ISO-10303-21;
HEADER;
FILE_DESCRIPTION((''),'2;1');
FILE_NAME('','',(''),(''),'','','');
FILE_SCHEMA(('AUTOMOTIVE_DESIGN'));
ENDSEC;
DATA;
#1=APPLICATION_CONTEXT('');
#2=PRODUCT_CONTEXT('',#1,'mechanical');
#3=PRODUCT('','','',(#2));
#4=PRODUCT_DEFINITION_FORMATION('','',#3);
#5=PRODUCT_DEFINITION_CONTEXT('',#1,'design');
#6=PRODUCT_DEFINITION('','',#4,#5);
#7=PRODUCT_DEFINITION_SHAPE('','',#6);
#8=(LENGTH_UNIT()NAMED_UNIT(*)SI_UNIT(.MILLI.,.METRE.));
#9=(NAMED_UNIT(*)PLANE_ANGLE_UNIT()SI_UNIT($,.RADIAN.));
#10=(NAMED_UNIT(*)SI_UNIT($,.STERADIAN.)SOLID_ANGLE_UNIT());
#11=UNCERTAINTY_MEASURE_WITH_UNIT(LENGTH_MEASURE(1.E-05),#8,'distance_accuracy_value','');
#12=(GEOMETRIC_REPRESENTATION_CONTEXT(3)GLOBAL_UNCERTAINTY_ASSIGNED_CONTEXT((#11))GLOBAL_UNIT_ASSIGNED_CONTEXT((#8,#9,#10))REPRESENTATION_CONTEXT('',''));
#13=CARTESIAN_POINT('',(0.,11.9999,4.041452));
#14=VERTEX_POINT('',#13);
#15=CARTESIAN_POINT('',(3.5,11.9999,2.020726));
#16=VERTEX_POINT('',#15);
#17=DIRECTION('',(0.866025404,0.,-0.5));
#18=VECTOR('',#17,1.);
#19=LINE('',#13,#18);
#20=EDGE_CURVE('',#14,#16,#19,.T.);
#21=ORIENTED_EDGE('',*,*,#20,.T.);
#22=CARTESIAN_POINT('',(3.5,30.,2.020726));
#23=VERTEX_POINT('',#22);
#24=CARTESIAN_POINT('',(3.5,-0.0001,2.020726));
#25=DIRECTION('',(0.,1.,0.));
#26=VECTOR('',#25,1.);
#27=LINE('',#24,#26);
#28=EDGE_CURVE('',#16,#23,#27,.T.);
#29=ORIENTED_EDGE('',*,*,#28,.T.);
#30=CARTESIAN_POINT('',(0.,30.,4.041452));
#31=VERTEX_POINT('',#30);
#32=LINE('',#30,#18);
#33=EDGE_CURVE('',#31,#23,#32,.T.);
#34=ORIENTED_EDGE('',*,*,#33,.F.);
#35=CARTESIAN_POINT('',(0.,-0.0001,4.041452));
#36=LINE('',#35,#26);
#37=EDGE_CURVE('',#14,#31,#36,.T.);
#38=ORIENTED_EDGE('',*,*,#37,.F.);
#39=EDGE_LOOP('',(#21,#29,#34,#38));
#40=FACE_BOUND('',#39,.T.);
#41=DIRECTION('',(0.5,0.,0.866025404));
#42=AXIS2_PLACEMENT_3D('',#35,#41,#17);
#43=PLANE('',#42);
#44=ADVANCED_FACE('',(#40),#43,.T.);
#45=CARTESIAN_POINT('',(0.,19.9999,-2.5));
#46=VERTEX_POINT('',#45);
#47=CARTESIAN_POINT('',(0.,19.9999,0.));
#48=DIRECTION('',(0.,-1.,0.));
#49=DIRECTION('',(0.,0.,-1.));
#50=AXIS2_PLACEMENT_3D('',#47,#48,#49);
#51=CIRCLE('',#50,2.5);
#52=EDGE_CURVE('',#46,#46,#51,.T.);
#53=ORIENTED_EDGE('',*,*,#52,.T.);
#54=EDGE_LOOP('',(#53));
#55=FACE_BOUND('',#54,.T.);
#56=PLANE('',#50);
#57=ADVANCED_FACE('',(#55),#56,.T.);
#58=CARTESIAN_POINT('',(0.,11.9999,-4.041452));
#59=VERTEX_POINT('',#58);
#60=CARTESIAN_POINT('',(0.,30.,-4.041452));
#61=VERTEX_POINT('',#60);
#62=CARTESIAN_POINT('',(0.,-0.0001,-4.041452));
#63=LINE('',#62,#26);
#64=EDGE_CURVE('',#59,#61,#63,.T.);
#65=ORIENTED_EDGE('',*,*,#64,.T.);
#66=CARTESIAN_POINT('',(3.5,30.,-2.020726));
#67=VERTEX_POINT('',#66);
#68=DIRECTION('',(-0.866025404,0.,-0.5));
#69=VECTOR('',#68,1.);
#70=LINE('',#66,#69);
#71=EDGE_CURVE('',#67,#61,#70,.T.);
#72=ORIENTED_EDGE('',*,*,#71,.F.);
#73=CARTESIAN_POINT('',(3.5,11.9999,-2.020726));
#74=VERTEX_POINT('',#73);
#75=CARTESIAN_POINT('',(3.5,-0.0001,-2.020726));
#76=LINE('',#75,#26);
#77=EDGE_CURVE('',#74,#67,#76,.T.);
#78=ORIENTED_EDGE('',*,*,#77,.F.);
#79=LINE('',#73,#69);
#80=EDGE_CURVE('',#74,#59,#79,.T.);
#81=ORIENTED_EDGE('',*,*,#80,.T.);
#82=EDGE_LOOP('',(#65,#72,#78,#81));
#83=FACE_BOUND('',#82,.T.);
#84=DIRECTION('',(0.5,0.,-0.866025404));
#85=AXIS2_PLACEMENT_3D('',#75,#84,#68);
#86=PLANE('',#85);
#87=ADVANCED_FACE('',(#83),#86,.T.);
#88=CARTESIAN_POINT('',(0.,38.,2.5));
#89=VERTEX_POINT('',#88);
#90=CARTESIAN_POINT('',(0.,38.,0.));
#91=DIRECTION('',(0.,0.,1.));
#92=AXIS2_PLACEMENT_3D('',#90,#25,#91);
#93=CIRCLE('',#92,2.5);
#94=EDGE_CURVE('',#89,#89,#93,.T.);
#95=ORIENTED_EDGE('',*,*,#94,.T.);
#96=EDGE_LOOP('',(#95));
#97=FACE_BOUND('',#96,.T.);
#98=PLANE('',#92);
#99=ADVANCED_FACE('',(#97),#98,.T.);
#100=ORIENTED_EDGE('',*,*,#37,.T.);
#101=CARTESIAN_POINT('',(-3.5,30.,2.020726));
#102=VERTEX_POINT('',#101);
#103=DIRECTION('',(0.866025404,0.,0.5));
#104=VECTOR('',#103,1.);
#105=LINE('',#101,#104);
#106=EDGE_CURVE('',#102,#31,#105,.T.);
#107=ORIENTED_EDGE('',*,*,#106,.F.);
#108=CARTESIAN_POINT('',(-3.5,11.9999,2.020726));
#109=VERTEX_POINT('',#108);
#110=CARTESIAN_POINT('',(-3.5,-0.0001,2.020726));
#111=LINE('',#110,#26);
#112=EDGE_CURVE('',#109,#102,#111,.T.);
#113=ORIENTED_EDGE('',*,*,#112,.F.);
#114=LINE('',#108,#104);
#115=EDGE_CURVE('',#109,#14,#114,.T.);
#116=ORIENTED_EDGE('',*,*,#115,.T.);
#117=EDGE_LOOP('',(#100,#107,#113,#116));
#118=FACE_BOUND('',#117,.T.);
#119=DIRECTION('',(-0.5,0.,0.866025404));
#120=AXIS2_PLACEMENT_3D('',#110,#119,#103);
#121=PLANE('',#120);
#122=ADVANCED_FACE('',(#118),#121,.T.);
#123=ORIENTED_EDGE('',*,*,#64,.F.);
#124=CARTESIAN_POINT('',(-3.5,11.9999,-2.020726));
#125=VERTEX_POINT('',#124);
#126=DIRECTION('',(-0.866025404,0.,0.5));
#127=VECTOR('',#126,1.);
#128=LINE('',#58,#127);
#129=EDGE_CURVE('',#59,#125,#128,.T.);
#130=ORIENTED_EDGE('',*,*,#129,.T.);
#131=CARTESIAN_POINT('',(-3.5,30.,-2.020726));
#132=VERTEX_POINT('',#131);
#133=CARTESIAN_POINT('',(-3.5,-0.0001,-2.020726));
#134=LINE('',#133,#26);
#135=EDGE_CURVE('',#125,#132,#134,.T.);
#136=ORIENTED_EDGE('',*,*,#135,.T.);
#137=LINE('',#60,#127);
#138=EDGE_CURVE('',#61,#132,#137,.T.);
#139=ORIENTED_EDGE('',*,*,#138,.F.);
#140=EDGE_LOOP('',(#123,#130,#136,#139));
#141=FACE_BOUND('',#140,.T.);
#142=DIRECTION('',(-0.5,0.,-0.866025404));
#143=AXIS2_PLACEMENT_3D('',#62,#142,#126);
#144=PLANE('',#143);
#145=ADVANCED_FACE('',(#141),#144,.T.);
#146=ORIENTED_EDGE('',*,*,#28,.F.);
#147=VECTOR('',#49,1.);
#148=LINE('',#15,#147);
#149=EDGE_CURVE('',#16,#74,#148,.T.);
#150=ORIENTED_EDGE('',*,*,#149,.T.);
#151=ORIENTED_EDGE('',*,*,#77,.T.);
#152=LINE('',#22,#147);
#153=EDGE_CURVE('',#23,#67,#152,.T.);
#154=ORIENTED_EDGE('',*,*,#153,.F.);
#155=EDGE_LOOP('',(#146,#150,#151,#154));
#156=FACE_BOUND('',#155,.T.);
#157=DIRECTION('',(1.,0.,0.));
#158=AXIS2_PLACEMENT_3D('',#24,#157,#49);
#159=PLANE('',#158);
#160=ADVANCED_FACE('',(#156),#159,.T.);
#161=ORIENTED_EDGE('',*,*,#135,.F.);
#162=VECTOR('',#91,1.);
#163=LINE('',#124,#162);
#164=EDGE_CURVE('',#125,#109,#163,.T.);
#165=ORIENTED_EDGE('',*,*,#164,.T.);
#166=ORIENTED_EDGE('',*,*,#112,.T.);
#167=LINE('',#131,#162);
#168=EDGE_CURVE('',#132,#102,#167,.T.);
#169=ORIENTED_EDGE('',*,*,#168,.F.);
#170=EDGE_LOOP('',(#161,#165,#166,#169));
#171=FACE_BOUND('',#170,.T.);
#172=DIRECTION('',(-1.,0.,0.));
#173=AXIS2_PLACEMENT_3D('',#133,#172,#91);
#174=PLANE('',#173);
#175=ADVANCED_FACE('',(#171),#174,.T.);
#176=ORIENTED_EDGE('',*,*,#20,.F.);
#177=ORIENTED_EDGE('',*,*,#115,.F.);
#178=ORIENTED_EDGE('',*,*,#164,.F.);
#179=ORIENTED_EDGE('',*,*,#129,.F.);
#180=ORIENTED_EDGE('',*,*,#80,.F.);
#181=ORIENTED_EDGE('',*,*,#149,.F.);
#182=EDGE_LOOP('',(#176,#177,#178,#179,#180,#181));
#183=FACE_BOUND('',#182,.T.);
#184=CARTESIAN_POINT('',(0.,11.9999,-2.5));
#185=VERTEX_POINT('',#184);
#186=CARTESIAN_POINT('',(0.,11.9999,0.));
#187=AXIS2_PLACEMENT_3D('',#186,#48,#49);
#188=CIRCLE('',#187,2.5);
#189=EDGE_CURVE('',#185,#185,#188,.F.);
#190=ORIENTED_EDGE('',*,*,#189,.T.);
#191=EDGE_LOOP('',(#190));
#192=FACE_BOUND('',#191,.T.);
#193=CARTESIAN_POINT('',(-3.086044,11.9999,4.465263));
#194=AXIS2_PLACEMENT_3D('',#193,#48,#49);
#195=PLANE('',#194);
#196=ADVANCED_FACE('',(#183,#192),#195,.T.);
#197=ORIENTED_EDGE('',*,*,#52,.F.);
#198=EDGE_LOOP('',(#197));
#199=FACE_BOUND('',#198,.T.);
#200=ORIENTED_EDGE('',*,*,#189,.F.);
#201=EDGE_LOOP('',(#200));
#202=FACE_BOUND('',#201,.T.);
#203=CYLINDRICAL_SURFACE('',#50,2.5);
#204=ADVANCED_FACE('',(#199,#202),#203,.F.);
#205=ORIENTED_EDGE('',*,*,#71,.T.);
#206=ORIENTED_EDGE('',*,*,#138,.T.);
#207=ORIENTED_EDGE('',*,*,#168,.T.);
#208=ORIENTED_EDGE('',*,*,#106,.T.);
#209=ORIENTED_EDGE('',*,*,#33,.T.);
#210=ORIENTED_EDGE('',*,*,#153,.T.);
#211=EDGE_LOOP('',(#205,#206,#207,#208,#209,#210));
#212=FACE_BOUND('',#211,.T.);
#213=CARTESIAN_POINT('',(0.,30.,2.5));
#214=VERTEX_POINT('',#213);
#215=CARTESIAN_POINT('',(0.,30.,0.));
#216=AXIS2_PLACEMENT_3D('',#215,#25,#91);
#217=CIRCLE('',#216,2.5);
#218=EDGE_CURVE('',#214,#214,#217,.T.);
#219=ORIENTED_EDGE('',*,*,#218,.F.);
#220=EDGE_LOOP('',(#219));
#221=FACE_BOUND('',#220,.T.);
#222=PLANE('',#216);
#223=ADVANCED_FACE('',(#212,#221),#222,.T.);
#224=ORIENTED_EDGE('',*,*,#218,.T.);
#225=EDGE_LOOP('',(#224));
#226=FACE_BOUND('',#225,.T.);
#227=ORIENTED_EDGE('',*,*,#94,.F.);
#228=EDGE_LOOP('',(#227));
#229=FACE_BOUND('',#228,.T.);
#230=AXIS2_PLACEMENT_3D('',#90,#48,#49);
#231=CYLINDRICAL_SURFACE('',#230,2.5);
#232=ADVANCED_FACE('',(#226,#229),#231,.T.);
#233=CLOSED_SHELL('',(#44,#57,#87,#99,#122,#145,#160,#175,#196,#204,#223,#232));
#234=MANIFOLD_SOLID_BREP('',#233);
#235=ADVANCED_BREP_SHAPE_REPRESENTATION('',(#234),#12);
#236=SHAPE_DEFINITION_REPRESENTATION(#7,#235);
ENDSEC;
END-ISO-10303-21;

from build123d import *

# Parameters (mm, degrees)
EXTRUDE_1_DEPTH      = 30
EXTRUDE_1_DEPTH_BACK = 0.0001
SKETCH_3_R           = 2.5
CUT_EXTRUDE_1_DEPTH  = 20
SKETCH_4_R           = 2.5
EXTRUDE_2_DEPTH      = 8
SKETCH_5_R           = 7.900729049
CUT_EXTRUDE_2_DEPTH  = 2
SKETCH_6_R           = 13.970712395
CUT_EXTRUDE_3_DEPTH  = 10


with BuildPart() as part:
    # 草图2 → 凸台-拉伸1 (new, two sides: drawn at the far end of the back side and taken through both)
    with BuildSketch(Plane(origin=(0, 0, 0), x_dir=(1, 0, 0), z_dir=(0, 1, 0)).offset(-EXTRUDE_1_DEPTH_BACK)):
        Polygon((0, -4.041451884), (3.5, -2.020725942), (3.5, 2.020725942), (0, 4.041451884), (-3.5, 2.020725942), (-3.5, -2.020725942), align=None)
    extrude(amount=EXTRUDE_1_DEPTH + EXTRUDE_1_DEPTH_BACK)

    # 草图3 → 切除-拉伸1 (cut)
    with BuildSketch(Plane.XZ.offset(0.0001)):
        with Locations(Location((0, 0, 0), (0, 0, 270))):
            Circle(SKETCH_3_R)
    extrude(amount=-CUT_EXTRUDE_1_DEPTH, mode=Mode.SUBTRACT)

    # 草图4 → 凸台-拉伸2 (add)
    with BuildSketch(Plane(origin=(0, 30, 0), x_dir=(1, 0, 0), z_dir=(0, 1, 0))):
        with Locations(Location((0, 0, 0), (0, 0, 90))):
            Circle(SKETCH_4_R)
    extrude(amount=EXTRUDE_2_DEPTH)

    # 草图5 → 切除-拉伸2 (cut)
    with BuildSketch(Plane.XZ.offset(0.0001)):
        Circle(SKETCH_5_R)
    extrude(amount=-CUT_EXTRUDE_2_DEPTH, mode=Mode.SUBTRACT)

    # 草图6 → 切除-拉伸3 (cut)
    with BuildSketch(Plane.XZ.offset(-1.9999)):
        with Locations((-3.086044331, 4.465263264)):
            Circle(SKETCH_6_R)
    extrude(amount=-CUT_EXTRUDE_3_DEPTH, mode=Mode.SUBTRACT)


solid = part.part
